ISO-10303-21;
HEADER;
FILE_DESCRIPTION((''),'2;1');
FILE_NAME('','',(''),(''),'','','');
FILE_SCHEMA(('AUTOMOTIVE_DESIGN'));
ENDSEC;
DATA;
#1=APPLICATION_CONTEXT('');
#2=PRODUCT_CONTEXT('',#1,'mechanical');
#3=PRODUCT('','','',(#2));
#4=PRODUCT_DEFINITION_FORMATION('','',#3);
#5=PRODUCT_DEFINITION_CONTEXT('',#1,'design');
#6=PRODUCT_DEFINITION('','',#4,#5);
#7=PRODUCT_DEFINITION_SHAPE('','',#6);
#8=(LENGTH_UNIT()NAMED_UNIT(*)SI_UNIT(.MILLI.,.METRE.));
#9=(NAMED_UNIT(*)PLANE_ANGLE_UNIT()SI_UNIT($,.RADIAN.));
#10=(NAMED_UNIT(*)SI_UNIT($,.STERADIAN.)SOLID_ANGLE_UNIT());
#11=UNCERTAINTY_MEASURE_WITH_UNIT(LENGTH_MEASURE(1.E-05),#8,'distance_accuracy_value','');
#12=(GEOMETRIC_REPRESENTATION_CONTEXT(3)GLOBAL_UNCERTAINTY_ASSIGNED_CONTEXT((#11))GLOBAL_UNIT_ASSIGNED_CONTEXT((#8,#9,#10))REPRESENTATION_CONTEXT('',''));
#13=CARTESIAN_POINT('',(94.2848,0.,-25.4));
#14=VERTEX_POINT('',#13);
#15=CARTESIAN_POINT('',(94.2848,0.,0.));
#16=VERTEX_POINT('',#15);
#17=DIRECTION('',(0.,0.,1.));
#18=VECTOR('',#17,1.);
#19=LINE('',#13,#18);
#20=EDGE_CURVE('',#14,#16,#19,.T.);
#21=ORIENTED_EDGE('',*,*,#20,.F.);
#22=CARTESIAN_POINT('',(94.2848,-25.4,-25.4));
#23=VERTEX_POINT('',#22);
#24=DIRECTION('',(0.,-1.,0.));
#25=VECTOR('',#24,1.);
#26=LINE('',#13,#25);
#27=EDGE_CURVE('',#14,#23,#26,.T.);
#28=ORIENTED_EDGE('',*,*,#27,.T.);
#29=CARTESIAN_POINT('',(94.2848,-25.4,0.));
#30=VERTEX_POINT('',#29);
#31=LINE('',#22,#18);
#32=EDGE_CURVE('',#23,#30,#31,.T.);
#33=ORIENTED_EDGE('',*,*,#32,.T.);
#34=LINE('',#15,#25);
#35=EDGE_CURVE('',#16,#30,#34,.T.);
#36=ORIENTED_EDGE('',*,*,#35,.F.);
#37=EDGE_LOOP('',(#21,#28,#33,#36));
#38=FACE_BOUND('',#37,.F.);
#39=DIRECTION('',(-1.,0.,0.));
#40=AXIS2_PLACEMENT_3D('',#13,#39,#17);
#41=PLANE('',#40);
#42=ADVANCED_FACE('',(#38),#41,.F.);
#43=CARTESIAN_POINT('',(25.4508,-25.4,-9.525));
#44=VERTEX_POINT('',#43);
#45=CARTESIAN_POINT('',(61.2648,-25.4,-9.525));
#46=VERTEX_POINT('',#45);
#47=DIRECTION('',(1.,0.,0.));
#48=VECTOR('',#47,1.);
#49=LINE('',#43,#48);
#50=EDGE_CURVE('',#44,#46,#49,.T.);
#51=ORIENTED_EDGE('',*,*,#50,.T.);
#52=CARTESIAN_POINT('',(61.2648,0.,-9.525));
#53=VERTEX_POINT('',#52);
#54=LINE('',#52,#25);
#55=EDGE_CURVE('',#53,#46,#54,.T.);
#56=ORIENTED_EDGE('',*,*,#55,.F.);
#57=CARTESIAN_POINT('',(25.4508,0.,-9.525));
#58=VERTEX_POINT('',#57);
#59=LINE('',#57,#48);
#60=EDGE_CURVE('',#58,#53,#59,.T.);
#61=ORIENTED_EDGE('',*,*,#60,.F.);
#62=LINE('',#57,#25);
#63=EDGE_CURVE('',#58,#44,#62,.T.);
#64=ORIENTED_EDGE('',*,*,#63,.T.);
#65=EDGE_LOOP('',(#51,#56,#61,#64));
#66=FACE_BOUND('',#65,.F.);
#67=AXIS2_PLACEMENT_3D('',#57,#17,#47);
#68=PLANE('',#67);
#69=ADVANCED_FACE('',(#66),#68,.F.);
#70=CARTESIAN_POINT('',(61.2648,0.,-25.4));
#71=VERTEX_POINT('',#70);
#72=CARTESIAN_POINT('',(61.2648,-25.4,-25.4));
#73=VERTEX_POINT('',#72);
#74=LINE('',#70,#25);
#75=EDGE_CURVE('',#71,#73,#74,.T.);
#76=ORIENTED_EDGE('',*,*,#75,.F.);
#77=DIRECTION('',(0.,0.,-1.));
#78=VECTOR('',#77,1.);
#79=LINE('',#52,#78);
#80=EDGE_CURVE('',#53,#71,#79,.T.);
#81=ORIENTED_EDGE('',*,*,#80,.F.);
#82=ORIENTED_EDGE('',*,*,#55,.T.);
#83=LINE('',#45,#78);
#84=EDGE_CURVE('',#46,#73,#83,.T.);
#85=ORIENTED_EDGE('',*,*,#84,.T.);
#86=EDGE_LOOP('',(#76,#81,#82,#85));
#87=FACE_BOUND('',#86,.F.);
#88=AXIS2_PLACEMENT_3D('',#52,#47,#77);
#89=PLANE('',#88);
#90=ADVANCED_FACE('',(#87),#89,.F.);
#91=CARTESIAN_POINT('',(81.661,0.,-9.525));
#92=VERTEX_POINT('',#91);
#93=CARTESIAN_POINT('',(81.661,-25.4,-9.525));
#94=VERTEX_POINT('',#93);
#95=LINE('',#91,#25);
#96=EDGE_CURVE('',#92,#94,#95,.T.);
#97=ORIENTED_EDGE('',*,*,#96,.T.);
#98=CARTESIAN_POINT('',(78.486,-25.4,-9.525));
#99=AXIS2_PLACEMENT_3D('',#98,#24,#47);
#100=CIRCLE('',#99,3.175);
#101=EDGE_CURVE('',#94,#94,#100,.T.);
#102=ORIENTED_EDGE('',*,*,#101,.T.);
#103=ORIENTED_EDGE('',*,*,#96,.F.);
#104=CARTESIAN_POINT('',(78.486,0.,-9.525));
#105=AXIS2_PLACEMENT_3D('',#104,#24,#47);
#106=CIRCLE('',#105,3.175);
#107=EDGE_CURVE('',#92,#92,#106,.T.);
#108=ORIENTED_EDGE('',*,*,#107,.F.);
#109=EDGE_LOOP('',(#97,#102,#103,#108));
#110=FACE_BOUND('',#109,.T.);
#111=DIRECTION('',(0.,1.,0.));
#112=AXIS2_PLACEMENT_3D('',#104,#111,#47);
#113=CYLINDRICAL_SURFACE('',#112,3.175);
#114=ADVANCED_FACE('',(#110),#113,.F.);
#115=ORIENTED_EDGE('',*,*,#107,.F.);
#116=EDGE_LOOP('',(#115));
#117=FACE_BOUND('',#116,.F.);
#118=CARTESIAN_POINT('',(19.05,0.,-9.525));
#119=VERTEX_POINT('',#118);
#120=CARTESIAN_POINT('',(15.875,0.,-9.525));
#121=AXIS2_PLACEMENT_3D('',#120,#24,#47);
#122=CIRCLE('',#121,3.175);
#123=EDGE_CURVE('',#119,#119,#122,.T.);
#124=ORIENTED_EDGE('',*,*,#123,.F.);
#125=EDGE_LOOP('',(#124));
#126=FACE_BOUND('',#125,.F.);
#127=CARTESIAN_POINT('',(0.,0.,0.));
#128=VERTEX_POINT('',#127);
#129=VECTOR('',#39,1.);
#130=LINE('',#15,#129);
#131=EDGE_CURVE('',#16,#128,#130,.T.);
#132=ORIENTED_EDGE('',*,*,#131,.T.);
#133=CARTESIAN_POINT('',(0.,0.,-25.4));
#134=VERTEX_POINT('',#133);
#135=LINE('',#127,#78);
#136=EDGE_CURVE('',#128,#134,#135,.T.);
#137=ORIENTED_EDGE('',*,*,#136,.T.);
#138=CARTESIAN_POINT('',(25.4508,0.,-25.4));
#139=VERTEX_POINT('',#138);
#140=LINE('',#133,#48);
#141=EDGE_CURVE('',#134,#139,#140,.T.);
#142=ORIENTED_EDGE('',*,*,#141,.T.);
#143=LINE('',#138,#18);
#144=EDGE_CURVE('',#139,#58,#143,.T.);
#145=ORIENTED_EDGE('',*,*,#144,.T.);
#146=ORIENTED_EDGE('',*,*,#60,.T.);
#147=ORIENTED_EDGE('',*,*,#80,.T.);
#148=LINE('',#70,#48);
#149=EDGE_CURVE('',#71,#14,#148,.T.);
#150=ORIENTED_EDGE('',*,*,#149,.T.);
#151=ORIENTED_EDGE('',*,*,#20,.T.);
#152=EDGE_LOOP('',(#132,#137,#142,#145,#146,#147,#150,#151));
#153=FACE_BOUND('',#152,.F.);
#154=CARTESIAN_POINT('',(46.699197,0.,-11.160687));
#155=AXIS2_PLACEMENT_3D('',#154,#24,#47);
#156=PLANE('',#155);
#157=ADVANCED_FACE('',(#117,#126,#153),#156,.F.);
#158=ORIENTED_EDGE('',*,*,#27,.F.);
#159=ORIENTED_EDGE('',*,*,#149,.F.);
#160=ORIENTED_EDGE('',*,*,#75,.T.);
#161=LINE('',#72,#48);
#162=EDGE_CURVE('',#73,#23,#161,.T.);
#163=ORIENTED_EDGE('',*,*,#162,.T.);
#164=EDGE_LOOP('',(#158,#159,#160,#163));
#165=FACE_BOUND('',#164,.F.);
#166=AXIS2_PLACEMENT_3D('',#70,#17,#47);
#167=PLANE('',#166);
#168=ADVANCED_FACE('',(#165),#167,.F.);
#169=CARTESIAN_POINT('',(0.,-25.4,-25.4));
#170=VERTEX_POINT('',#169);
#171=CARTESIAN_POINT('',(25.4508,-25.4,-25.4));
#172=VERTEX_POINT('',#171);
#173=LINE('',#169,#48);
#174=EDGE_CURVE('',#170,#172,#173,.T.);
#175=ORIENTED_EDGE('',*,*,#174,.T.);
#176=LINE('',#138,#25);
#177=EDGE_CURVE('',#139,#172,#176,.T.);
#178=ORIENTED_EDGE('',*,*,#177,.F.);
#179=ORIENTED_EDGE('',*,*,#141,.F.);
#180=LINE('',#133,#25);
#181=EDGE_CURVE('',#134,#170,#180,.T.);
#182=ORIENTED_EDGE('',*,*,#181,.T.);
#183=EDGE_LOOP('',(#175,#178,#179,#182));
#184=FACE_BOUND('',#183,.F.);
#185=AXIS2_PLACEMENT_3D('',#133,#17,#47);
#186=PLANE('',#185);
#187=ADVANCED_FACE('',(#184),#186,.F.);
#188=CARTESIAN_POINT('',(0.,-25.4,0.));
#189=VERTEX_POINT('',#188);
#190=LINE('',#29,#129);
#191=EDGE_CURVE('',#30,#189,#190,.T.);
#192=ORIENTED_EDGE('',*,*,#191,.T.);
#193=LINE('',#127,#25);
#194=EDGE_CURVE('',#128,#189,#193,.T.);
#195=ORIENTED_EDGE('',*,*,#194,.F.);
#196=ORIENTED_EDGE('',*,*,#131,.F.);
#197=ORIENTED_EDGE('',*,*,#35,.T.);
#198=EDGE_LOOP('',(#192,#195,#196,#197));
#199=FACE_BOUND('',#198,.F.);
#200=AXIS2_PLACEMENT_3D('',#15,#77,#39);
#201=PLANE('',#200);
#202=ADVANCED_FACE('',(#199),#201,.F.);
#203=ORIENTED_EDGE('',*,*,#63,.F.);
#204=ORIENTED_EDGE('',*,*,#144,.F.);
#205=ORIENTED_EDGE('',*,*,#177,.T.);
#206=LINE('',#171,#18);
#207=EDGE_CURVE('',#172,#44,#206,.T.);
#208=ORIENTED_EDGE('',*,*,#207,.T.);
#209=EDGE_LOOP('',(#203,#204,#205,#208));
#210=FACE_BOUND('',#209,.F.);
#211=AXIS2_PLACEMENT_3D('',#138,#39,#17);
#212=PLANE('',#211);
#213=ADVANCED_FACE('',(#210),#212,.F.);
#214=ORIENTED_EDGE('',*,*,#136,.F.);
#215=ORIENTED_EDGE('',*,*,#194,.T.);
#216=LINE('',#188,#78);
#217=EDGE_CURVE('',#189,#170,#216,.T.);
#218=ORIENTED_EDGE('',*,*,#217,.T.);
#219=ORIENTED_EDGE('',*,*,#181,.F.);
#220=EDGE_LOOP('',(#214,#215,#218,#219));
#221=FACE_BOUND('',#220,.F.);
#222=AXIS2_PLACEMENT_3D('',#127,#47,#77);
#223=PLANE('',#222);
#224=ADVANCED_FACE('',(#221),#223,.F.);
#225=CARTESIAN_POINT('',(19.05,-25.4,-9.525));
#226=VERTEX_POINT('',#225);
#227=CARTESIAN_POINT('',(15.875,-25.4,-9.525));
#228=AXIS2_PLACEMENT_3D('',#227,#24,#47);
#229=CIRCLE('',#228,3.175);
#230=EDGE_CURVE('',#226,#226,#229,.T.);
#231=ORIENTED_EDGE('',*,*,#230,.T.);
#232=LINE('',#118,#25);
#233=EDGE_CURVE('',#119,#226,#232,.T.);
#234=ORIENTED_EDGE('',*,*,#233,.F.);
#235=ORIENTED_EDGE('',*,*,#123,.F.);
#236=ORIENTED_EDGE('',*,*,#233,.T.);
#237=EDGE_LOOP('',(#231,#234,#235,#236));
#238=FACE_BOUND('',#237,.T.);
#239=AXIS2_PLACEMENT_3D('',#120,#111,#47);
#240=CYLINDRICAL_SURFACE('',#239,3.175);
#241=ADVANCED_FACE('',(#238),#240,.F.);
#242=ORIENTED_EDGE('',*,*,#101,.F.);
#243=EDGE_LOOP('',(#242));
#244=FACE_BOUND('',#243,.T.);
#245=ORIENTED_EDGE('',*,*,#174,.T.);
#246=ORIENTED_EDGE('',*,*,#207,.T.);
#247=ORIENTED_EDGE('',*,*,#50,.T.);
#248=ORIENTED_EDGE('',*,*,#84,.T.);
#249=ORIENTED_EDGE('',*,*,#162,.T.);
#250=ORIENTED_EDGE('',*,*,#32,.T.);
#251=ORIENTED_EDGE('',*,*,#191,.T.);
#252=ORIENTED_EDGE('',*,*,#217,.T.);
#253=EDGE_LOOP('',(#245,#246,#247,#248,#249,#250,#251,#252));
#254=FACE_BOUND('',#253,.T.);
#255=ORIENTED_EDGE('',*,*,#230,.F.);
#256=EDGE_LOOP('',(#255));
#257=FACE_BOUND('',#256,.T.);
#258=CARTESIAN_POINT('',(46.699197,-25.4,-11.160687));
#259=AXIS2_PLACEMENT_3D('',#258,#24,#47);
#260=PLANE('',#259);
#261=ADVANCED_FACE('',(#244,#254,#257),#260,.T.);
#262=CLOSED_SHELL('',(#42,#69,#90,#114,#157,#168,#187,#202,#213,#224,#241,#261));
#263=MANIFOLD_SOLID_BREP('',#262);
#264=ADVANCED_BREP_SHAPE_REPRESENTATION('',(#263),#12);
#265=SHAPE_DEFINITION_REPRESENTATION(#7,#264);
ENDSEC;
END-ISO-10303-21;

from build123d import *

# Parameters (mm, degrees)
F0_R     = 3.175
F1_DEPTH = 25.4


with BuildPart() as f1:
    # F0 (on Front) → F1 (new body)
    with BuildSketch(Plane.XZ):
        Polygon((94.2848, 0), (0, 0), (0, -25.4), (25.4508, -25.4), (25.4508, -9.525), (61.2648, -9.525), (61.2648, -25.4), (94.2848, -25.4), align=None)
        with Locations((15.875, -9.525)):
            Circle(F0_R, mode=Mode.SUBTRACT)
        with Locations((78.486, -9.525)):
            Circle(F0_R, mode=Mode.SUBTRACT)
    extrude(amount=F1_DEPTH)


solid = f1.part
